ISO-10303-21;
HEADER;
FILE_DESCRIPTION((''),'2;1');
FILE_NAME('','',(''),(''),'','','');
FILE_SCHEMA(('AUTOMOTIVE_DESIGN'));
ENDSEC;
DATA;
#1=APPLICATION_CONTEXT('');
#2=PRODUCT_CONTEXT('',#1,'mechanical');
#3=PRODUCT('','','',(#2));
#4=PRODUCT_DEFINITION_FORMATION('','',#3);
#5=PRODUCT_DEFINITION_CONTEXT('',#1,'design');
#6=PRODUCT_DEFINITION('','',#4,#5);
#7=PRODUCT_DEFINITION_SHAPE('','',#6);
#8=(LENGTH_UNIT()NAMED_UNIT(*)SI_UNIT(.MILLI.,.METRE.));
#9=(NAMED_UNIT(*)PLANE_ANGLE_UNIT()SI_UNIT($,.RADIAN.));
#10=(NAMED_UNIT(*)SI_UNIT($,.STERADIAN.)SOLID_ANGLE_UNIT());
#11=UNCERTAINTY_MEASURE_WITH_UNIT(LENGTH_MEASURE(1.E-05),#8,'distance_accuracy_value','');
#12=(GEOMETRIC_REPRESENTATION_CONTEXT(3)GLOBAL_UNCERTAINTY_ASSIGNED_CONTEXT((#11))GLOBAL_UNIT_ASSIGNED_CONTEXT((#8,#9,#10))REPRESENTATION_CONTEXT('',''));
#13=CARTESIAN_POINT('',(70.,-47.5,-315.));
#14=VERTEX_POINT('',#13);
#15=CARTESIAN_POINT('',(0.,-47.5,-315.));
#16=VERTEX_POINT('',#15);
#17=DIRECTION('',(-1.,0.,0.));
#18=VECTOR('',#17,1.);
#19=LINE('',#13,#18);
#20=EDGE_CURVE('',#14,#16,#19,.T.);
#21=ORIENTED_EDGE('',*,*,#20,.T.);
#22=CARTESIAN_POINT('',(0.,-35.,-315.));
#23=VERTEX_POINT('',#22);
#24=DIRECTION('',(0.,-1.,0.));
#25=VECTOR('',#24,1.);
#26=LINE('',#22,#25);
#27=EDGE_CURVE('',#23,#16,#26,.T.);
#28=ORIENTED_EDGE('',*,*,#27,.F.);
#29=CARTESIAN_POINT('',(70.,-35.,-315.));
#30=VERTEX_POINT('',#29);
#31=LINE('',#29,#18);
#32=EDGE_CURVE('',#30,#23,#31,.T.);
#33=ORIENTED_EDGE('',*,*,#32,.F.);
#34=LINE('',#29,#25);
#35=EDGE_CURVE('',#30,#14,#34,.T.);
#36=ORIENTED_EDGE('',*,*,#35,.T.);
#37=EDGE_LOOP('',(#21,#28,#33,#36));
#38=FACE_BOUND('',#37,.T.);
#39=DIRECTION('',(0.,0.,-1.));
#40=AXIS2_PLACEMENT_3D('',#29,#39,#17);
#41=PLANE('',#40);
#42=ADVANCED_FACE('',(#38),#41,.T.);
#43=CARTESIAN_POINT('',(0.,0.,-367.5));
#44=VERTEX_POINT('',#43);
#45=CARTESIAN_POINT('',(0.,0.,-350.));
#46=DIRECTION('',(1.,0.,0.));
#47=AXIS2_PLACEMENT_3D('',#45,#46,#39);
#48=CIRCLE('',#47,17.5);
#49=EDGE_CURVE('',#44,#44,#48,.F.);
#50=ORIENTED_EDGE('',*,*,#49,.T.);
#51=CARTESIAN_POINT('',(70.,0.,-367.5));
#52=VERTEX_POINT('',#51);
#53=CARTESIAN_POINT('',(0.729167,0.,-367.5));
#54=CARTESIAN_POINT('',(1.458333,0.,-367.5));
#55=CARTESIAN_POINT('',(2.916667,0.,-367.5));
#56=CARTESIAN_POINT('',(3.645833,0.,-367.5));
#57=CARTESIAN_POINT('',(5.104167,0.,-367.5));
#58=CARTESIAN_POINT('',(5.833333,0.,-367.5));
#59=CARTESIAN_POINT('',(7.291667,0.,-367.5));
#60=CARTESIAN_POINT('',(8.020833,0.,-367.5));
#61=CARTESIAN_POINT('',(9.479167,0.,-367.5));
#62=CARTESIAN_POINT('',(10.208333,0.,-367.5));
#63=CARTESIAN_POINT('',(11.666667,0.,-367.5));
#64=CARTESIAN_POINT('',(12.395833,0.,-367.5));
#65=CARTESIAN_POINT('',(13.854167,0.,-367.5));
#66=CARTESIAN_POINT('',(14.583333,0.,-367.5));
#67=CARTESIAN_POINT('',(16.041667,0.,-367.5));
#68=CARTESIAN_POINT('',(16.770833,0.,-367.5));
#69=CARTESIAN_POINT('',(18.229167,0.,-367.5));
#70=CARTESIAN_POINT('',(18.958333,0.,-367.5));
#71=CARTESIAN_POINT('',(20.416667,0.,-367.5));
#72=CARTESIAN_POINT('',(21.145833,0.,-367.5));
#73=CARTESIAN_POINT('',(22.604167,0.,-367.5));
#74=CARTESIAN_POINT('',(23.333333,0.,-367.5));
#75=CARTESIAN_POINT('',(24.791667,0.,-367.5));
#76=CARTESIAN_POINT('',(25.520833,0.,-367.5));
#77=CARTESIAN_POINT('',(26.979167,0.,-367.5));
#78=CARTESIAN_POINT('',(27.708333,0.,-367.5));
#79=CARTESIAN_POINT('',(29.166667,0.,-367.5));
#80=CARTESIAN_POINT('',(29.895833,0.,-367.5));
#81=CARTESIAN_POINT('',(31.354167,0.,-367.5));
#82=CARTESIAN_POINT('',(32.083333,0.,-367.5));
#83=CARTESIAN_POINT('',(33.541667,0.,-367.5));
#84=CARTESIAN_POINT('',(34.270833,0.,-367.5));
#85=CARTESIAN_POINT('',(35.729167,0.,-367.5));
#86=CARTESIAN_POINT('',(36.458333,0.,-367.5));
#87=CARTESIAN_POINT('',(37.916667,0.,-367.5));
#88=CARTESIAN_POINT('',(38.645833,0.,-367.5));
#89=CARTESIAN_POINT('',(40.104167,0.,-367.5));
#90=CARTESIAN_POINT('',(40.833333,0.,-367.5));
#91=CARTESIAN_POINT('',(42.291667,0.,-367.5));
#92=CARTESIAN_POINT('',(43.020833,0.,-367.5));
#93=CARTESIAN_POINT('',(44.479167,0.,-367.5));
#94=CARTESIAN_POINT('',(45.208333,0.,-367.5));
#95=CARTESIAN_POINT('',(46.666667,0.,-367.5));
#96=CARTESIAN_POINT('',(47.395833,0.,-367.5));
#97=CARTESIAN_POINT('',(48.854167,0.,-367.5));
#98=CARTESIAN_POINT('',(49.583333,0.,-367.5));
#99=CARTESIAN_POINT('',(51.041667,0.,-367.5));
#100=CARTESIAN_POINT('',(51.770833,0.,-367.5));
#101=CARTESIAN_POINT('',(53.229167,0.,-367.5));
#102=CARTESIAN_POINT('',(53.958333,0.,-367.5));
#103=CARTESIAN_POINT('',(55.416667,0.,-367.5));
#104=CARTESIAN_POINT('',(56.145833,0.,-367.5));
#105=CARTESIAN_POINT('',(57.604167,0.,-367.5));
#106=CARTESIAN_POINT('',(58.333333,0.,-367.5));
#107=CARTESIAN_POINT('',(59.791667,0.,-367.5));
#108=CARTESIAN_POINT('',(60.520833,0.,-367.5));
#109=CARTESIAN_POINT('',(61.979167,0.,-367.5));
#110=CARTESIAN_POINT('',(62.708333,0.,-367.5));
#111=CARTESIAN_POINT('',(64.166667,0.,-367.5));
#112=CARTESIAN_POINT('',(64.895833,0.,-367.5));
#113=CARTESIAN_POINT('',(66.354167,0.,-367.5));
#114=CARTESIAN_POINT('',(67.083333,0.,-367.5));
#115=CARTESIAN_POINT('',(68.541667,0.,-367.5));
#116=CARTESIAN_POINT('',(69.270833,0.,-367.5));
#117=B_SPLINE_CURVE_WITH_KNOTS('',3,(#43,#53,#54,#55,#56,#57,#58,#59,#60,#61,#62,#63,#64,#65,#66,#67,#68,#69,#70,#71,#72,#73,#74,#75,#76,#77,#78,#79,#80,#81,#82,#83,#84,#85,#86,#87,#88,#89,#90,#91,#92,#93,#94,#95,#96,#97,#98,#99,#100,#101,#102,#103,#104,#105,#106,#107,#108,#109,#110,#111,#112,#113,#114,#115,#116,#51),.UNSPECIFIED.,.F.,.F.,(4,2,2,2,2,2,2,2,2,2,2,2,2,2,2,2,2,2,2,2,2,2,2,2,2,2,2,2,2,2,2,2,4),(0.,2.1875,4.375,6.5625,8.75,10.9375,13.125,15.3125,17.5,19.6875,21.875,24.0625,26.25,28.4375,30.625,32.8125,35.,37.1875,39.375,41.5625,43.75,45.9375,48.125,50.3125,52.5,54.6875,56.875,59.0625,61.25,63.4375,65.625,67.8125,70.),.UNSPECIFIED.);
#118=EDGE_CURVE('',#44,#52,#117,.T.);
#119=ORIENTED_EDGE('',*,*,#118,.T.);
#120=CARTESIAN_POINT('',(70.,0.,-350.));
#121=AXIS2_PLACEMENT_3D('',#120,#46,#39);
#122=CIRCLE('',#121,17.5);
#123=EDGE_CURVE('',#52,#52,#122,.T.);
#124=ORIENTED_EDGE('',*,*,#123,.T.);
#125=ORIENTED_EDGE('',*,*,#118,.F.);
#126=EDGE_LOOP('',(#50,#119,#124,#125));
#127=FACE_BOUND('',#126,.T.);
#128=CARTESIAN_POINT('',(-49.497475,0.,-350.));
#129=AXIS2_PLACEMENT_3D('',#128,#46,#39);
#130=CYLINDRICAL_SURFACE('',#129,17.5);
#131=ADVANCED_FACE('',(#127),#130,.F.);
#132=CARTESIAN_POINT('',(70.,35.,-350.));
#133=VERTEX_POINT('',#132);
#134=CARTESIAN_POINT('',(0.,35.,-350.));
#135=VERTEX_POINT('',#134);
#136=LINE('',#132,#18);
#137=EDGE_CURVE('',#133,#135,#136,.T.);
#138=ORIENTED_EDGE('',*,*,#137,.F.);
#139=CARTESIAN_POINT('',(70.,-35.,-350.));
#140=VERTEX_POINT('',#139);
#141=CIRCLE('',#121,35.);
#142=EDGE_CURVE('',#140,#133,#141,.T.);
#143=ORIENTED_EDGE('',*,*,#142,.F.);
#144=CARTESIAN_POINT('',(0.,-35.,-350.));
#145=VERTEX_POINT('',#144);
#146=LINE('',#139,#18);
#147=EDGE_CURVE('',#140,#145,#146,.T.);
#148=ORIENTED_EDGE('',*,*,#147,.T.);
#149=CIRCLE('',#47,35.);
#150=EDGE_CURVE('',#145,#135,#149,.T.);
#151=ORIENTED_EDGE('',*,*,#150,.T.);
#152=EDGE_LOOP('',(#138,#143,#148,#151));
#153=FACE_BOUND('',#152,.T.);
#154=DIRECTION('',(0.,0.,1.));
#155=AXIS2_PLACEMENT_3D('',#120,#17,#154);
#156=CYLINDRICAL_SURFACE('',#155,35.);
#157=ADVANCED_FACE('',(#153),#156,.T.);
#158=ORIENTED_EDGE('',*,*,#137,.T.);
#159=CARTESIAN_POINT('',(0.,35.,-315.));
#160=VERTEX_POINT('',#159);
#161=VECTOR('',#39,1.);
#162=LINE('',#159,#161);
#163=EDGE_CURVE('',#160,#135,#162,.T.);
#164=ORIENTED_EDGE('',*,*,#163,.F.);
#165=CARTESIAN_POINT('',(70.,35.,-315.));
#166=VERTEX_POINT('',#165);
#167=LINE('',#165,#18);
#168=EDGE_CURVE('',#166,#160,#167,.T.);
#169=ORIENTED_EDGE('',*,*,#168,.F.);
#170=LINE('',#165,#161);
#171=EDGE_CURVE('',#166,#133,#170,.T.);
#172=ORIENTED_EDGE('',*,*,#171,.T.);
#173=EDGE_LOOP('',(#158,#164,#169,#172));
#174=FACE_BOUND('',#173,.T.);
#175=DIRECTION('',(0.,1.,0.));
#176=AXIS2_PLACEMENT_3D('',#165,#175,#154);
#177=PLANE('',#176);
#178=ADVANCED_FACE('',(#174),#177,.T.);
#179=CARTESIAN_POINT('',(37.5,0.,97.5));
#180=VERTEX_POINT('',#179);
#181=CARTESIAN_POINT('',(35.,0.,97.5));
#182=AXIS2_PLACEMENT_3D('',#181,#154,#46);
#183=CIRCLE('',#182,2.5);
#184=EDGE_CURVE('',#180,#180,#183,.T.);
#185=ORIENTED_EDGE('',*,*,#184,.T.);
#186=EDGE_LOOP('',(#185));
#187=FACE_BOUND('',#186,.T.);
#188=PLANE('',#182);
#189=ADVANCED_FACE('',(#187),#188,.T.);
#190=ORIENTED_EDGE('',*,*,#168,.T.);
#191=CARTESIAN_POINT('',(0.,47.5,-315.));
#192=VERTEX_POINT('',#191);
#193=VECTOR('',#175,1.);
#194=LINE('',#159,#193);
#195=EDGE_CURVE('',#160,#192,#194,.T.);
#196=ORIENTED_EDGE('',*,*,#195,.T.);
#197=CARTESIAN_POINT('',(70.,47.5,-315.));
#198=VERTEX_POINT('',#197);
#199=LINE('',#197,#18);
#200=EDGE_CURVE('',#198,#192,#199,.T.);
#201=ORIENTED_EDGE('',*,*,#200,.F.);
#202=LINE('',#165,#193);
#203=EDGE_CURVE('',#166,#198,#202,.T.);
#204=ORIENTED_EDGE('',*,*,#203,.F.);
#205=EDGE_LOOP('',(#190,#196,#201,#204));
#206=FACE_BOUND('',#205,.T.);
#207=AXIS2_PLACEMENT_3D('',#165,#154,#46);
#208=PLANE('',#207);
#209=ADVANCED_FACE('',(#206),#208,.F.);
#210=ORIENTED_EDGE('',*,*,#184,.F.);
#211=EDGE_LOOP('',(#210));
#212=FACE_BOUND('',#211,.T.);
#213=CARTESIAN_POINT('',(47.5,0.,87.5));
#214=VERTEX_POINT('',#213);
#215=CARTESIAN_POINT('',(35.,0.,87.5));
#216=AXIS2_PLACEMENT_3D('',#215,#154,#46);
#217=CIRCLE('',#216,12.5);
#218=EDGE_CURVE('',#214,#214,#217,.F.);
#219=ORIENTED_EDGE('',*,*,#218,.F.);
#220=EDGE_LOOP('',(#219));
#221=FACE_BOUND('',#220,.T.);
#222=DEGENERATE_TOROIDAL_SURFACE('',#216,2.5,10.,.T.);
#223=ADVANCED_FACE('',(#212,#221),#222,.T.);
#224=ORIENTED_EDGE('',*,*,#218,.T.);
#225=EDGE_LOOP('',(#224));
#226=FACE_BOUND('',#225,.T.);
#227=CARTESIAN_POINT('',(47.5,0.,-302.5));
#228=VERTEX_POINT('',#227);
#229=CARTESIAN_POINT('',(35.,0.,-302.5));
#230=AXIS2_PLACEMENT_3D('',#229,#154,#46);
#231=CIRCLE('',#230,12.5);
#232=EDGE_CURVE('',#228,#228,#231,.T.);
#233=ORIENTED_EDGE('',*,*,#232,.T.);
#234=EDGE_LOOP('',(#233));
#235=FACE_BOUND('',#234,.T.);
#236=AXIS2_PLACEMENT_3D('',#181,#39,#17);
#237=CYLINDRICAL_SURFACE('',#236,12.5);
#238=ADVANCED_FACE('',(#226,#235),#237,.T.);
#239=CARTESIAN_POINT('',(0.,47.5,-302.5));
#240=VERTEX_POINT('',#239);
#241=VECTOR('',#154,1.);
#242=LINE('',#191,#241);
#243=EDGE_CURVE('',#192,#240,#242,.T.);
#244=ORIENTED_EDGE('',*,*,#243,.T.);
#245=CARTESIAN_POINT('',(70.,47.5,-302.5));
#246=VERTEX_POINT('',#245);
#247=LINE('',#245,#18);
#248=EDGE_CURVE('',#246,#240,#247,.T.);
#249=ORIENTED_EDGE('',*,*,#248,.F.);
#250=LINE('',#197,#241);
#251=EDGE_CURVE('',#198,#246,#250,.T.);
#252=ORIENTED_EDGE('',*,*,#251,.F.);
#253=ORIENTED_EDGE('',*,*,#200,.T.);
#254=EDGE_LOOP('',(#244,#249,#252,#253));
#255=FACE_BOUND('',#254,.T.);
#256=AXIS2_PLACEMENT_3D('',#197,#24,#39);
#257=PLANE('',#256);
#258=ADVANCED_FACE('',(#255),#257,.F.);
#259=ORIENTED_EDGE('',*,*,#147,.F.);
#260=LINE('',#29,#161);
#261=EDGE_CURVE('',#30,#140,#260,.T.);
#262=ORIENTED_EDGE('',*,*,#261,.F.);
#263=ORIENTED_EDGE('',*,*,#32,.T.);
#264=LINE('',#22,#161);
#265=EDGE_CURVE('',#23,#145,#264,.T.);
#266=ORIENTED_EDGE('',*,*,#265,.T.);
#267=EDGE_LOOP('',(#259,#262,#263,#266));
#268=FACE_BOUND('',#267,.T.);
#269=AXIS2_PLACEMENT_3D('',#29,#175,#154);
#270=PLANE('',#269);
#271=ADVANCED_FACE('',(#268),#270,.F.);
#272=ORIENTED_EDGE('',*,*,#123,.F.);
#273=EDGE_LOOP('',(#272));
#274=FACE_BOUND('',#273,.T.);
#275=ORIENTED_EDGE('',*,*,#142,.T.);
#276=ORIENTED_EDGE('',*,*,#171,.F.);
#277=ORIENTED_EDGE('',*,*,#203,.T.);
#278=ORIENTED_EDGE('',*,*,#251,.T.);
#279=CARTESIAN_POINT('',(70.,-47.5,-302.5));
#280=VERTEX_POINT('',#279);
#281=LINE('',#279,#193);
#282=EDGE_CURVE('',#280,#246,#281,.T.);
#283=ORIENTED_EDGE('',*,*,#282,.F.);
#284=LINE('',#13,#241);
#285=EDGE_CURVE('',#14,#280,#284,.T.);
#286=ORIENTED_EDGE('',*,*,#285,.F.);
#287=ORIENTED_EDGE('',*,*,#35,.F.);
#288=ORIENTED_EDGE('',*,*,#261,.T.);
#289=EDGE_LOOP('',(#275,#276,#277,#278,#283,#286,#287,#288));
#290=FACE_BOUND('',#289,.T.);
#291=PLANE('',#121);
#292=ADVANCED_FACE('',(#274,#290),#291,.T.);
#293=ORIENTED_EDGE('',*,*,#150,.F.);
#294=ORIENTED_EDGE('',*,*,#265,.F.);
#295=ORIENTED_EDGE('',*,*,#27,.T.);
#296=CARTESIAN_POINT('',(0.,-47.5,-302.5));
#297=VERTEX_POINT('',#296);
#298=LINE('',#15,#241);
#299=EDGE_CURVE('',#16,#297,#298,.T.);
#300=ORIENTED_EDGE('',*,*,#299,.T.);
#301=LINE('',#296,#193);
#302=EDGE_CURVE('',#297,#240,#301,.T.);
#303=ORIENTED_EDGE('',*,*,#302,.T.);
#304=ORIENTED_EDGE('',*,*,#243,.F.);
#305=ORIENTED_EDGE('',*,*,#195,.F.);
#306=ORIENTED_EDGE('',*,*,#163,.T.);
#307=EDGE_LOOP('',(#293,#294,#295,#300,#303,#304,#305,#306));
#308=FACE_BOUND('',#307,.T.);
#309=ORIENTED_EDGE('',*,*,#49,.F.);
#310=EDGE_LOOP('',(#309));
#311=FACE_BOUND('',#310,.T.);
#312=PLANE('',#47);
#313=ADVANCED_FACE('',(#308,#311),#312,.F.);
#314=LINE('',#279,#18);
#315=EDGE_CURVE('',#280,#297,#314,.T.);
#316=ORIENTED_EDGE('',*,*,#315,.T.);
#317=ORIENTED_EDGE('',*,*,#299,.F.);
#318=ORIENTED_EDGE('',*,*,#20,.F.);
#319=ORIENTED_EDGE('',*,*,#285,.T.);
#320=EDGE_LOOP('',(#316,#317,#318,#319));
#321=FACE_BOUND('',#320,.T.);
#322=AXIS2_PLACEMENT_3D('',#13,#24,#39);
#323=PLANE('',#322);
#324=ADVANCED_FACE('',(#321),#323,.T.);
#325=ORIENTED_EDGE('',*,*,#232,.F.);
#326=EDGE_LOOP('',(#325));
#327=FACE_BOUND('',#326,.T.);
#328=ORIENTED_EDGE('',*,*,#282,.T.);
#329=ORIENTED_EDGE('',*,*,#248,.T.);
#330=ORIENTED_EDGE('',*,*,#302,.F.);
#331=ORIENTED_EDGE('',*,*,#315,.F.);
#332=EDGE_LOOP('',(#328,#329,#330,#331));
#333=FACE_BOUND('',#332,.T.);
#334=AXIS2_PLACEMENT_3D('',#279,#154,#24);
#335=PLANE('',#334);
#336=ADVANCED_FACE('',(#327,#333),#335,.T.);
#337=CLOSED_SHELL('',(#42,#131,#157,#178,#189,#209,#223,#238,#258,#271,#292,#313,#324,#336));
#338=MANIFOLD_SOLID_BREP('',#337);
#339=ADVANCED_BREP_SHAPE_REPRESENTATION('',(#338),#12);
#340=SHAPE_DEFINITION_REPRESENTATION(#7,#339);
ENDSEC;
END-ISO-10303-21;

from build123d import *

# Parameters (mm, degrees)
BOSS_EXTRUDE2_DEPTH = 70
SKETCH2_R           = 17.5
CUT_EXTRUDE1_DEPTH  = 70
SKETCH5_R           = 12.5
BOSS_EXTRUDE3_DEPTH = 400
FILLET3_R           = 10


with BuildPart() as part:
    # Sketch1 → Boss-Extrude2 (new body)
    with BuildSketch(Plane(origin=(0, 0, 0), x_dir=(0, 0, -1), z_dir=(1, 0, 0))):
        with BuildLine():
            Line((315, 35), (315, 47.5))
            Line((315, 47.5), (302.5, 47.5))
            Line((302.5, 47.5), (302.5, -47.5))
            Line((302.5, -47.5), (315, -47.5))
            Line((315, -47.5), (315, -35))
            Line((315, -35), (350, -35))
            ThreePointArc((350, -35), (385, 0), (350, 35))
            Line((350, 35), (315, 35))
        make_face()
    extrude(amount=BOSS_EXTRUDE2_DEPTH)

    # Sketch2 → Cut-Extrude1 (cut)
    with BuildSketch(Plane(origin=(70, 0, 0), x_dir=(0, 0, -1), z_dir=(1, 0, 0))):
        with Locations((350, 0)):
            Circle(SKETCH2_R)
    extrude(amount=-CUT_EXTRUDE1_DEPTH, mode=Mode.SUBTRACT)

    # Sketch5 → Boss-Extrude3 (add)
    with BuildSketch(Plane.XY.offset(-302.5)):
        with Locations((35, 0)):
            Circle(SKETCH5_R)
    extrude(amount=BOSS_EXTRUDE3_DEPTH)

    # Fillet3
    fillet3_edges = [part.edges().sort_by_distance(p)[0] for p in [
        (22.5, 0, 97.5),
    ]]
    fillet(fillet3_edges, radius=FILLET3_R)


solid = part.part
